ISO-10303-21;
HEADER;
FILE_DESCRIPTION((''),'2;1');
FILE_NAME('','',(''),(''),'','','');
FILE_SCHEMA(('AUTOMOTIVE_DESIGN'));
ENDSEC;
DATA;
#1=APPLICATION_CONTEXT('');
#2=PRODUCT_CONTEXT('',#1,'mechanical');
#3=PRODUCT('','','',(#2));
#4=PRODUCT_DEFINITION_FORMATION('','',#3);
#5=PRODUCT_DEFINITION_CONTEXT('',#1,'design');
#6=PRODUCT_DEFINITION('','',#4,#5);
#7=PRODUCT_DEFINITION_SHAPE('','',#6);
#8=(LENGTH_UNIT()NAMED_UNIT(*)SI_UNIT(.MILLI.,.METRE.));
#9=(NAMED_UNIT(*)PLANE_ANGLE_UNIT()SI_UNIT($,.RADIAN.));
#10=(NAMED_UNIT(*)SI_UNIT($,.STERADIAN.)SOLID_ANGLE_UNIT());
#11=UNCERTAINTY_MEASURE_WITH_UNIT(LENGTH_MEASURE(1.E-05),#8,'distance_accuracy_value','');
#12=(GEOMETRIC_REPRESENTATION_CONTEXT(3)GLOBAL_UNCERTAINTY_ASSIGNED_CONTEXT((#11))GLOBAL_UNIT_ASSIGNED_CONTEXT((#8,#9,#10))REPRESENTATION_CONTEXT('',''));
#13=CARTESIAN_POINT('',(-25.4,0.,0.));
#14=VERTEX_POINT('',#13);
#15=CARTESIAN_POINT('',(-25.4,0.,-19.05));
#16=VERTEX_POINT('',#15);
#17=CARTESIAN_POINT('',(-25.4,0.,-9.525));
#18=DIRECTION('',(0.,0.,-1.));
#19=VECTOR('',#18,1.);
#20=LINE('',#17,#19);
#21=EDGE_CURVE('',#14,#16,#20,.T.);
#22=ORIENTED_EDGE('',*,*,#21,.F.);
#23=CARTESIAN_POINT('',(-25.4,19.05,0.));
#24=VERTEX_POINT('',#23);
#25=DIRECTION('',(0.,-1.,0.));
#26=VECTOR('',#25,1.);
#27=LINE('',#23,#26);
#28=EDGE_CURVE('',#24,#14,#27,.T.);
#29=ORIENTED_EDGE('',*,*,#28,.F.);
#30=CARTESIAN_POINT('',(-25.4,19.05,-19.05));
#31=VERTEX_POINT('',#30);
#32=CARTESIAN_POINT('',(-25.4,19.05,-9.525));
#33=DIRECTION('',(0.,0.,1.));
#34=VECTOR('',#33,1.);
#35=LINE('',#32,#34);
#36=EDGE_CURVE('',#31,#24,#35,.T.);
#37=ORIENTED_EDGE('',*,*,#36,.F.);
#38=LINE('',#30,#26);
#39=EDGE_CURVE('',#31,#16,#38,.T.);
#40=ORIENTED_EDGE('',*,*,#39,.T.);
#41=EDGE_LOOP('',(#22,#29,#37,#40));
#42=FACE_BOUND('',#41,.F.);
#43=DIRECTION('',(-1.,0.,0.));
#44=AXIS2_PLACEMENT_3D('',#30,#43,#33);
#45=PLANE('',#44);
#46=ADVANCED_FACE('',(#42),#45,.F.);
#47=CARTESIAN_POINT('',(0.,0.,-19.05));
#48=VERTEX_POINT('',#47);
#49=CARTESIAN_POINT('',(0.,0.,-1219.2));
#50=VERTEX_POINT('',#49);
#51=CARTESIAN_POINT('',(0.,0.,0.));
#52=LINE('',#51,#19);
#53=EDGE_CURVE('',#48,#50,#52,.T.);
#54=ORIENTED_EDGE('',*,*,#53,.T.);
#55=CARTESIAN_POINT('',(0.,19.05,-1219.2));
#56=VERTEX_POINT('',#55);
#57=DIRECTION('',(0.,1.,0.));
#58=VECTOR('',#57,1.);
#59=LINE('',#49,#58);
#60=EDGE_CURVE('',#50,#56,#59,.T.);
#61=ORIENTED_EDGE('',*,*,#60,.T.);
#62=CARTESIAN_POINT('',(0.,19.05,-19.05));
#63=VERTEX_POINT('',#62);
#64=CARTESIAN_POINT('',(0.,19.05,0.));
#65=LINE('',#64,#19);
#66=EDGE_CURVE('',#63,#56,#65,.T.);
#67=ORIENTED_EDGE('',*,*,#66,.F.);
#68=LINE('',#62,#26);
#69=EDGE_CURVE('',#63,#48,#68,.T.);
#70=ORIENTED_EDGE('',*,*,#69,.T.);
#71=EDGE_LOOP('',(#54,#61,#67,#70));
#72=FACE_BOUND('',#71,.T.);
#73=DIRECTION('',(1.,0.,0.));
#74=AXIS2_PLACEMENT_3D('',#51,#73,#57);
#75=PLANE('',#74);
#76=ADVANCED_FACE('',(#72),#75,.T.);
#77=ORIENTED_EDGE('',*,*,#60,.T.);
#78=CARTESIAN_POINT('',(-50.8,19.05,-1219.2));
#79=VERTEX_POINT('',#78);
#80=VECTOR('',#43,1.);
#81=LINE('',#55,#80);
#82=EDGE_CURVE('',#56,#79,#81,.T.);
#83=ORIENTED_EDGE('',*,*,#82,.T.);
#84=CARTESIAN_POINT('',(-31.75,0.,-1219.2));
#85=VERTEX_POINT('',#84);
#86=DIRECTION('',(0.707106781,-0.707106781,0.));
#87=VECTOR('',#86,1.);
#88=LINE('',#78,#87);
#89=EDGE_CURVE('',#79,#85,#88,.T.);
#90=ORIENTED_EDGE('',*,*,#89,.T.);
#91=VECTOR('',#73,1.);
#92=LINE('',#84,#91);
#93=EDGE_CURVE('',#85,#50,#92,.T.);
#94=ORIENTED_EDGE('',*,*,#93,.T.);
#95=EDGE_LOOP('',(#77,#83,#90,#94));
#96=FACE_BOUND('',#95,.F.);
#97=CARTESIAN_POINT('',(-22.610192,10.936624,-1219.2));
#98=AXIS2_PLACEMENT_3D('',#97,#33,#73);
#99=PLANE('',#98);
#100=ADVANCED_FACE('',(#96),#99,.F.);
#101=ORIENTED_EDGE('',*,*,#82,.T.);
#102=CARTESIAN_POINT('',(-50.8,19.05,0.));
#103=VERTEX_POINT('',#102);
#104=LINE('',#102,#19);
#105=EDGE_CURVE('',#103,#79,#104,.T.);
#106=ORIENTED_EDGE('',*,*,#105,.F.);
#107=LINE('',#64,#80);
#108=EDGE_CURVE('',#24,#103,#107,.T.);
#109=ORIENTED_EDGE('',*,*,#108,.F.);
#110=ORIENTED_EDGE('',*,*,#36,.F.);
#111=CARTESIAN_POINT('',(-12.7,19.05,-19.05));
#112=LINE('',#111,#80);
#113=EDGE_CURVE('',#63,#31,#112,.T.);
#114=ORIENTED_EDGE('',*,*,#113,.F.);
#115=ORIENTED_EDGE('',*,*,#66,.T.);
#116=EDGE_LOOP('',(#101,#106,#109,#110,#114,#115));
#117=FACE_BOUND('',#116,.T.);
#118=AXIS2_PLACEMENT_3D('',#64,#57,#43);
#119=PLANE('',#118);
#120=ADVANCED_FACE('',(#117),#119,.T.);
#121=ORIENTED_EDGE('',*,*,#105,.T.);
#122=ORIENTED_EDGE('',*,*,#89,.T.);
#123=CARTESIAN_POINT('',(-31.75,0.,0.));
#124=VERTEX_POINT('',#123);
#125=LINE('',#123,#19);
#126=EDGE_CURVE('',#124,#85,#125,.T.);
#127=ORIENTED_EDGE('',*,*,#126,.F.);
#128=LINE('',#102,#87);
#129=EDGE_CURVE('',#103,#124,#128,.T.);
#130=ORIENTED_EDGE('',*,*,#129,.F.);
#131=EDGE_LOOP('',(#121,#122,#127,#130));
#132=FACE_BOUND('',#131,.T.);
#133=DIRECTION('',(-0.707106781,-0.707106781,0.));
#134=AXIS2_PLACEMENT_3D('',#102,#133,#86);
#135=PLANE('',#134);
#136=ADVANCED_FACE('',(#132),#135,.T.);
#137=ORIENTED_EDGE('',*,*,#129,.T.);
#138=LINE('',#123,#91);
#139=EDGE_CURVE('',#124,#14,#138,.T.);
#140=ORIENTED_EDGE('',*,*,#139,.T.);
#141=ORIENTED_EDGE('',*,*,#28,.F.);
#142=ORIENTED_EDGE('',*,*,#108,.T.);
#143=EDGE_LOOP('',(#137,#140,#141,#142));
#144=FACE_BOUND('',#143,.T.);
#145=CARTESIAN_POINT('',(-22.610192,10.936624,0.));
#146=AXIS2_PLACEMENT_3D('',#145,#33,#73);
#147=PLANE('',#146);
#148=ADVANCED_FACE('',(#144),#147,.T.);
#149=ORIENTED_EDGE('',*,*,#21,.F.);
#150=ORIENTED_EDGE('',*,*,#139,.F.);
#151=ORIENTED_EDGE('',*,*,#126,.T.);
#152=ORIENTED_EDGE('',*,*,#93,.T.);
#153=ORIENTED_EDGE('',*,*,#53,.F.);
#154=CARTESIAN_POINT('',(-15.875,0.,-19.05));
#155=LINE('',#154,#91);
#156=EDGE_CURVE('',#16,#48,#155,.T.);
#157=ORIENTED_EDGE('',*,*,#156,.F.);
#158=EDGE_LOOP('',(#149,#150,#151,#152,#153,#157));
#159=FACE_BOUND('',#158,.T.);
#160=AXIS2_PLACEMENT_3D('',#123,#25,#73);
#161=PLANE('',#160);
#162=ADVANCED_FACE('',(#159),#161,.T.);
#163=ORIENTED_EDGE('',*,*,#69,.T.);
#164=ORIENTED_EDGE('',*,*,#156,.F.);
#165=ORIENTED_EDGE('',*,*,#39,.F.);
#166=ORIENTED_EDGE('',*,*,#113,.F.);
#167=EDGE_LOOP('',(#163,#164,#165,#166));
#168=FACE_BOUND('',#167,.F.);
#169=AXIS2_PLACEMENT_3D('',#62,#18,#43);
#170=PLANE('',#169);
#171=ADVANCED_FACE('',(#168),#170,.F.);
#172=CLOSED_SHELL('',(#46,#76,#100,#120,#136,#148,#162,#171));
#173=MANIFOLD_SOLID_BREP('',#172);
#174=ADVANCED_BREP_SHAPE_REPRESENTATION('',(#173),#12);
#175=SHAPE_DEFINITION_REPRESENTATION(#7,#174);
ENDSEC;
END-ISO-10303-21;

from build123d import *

# Parameters (mm, degrees)
F1_DEPTH = 1219.2
F2_W     = 25.4
F2_H     = 19.05
F3_DEPTH = 19.051


with BuildPart() as f1:
    # F0 (on Top) → F1 (new body)
    with BuildSketch(Plane.XY):
        Polygon((-31.75, 0), (0, 0), (0, 19.05), (-50.8, 19.05), align=None)
    extrude(amount=-F1_DEPTH)

    # F2 (on face) → F3 (cut, through all)
    with BuildSketch(Plane(origin=(0, 19.05, 0), x_dir=(-1, 0, 0), z_dir=(0, 1, 0))):
        with Locations((12.7, -9.525)):
            Rectangle(F2_W, F2_H)
    extrude(amount=-F3_DEPTH, mode=Mode.SUBTRACT)


solid = f1.part
